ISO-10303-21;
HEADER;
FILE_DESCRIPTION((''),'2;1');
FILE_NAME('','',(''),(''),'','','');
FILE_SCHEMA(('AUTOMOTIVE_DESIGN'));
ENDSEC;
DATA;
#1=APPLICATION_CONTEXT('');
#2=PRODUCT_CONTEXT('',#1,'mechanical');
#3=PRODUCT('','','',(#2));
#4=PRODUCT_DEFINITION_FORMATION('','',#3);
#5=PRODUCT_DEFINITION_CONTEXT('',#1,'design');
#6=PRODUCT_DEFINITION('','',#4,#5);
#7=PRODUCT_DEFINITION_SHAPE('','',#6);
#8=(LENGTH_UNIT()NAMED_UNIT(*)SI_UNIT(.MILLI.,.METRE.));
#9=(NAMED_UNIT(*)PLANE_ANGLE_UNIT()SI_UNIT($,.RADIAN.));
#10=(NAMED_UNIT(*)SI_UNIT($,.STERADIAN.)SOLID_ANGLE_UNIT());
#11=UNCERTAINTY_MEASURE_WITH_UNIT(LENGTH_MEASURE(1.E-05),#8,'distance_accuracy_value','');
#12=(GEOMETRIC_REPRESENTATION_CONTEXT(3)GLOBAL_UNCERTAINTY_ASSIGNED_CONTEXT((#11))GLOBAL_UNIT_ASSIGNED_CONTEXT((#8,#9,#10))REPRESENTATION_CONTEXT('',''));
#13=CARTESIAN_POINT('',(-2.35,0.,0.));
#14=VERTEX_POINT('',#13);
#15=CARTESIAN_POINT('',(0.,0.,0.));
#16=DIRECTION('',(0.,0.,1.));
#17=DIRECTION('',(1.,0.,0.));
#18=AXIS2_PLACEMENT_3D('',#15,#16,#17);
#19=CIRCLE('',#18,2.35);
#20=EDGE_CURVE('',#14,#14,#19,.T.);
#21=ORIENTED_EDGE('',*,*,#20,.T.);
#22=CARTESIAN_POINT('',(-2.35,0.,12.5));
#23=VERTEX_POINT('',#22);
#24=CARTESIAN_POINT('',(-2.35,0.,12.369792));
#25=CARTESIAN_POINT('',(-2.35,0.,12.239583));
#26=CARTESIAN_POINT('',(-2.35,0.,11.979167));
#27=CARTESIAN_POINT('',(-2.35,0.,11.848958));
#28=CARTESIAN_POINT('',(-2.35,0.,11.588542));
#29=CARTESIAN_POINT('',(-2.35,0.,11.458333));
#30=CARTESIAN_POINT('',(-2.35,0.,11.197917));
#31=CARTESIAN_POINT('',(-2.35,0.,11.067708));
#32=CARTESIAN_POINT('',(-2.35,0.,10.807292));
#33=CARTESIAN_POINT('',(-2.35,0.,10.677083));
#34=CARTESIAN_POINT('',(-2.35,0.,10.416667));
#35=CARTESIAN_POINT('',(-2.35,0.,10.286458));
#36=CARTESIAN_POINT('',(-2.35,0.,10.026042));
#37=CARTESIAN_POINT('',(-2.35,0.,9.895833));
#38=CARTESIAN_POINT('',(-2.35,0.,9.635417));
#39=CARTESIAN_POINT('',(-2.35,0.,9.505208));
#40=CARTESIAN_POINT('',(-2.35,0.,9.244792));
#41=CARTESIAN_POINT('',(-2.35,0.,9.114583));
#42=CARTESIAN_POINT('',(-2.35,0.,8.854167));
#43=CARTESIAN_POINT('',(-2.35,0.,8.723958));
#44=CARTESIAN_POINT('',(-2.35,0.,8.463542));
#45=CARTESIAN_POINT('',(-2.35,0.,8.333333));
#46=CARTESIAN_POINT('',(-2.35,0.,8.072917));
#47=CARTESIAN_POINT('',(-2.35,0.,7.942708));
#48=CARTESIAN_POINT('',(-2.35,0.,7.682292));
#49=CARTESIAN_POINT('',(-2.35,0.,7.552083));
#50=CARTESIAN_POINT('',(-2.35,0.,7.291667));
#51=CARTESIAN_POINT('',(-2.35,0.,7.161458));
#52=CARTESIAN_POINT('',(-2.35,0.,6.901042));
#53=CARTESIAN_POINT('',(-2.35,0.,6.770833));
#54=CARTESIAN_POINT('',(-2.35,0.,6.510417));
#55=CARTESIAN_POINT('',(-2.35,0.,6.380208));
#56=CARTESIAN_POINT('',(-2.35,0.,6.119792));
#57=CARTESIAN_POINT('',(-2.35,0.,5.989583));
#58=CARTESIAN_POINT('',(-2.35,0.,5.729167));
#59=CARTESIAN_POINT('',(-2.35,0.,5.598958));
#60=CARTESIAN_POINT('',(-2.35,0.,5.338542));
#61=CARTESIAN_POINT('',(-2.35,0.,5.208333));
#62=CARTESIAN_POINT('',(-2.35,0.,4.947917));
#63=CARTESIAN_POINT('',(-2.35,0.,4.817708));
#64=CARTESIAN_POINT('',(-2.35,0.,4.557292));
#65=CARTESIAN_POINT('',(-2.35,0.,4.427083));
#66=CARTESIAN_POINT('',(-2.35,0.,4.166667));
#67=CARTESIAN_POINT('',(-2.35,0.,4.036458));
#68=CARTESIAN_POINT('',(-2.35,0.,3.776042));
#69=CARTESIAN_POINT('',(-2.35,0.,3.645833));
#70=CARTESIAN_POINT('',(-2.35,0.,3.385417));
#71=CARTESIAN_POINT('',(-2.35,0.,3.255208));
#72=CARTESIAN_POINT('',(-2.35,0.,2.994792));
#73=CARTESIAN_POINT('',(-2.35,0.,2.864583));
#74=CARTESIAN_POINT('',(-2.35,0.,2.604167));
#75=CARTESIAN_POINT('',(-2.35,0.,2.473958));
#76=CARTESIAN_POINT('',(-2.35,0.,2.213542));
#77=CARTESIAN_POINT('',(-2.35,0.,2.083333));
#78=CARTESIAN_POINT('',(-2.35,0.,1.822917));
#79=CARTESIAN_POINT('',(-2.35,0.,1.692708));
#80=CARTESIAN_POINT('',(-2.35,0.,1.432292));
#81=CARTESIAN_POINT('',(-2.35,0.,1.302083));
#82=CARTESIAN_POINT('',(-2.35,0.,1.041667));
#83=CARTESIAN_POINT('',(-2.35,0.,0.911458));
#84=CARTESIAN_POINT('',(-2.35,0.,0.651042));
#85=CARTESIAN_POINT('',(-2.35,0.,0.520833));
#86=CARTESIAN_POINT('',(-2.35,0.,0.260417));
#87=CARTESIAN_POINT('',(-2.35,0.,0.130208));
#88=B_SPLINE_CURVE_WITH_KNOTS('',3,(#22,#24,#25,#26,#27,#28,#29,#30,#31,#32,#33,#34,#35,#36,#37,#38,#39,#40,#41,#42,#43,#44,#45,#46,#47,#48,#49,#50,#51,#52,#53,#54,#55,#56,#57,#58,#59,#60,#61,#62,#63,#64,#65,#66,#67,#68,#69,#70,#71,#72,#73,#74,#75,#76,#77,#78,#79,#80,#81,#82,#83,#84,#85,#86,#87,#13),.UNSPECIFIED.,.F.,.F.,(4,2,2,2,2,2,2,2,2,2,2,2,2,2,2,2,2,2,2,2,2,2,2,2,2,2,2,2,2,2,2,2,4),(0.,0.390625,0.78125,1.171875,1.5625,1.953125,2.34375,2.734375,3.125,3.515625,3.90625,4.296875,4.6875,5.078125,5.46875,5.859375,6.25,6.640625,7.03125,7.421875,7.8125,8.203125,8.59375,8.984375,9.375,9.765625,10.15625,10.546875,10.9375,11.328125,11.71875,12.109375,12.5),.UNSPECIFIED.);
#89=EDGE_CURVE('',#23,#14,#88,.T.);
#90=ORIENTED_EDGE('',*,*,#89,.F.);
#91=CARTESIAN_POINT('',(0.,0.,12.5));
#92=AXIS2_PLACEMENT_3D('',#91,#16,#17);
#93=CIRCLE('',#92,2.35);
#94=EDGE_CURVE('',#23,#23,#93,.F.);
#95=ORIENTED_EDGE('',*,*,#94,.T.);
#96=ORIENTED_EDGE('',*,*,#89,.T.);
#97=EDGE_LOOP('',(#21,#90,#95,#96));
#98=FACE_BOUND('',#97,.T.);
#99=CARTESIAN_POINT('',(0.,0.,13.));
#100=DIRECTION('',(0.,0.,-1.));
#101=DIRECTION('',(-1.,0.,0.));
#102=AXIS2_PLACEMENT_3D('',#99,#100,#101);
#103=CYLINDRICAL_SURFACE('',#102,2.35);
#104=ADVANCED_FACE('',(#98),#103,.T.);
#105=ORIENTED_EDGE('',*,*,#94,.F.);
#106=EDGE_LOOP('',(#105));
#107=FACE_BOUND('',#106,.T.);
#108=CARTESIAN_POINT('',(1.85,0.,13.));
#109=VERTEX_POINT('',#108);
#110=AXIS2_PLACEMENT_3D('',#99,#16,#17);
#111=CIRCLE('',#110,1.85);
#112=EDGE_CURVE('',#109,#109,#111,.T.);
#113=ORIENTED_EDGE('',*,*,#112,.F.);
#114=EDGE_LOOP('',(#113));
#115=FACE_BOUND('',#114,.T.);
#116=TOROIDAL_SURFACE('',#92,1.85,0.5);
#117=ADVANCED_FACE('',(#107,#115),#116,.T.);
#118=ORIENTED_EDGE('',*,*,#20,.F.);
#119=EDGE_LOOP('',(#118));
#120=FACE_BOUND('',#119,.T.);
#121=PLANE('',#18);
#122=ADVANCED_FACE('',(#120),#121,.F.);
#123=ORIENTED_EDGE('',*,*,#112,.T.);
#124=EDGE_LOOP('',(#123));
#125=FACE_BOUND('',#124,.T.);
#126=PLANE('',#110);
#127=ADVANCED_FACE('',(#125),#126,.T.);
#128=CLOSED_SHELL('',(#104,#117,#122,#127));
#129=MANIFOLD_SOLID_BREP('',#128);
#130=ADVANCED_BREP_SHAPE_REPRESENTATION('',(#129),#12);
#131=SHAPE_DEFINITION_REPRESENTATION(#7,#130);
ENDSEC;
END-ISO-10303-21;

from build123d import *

# Parameters (mm, degrees)
SKIZZE1_R                       = 2.35
AUFSATZ_LINEAR_AUSTRAGEN1_DEPTH = 13
VERRUNDUNG1_R                   = 0.5


with BuildPart() as part:
    # Skizze1 → Aufsatz-Linear austragen1 (new body)
    with BuildSketch(Plane.XY):
        with Locations(Location((0, 0, 0), (0, 0, 180))):
            Circle(SKIZZE1_R)
    extrude(amount=AUFSATZ_LINEAR_AUSTRAGEN1_DEPTH)

    # Verrundung1
    verrundung1_edges = [part.edges().sort_by_distance(p)[0] for p in [
        (2.35, 0, 13),
    ]]
    fillet(verrundung1_edges, radius=VERRUNDUNG1_R)


solid = part.part
